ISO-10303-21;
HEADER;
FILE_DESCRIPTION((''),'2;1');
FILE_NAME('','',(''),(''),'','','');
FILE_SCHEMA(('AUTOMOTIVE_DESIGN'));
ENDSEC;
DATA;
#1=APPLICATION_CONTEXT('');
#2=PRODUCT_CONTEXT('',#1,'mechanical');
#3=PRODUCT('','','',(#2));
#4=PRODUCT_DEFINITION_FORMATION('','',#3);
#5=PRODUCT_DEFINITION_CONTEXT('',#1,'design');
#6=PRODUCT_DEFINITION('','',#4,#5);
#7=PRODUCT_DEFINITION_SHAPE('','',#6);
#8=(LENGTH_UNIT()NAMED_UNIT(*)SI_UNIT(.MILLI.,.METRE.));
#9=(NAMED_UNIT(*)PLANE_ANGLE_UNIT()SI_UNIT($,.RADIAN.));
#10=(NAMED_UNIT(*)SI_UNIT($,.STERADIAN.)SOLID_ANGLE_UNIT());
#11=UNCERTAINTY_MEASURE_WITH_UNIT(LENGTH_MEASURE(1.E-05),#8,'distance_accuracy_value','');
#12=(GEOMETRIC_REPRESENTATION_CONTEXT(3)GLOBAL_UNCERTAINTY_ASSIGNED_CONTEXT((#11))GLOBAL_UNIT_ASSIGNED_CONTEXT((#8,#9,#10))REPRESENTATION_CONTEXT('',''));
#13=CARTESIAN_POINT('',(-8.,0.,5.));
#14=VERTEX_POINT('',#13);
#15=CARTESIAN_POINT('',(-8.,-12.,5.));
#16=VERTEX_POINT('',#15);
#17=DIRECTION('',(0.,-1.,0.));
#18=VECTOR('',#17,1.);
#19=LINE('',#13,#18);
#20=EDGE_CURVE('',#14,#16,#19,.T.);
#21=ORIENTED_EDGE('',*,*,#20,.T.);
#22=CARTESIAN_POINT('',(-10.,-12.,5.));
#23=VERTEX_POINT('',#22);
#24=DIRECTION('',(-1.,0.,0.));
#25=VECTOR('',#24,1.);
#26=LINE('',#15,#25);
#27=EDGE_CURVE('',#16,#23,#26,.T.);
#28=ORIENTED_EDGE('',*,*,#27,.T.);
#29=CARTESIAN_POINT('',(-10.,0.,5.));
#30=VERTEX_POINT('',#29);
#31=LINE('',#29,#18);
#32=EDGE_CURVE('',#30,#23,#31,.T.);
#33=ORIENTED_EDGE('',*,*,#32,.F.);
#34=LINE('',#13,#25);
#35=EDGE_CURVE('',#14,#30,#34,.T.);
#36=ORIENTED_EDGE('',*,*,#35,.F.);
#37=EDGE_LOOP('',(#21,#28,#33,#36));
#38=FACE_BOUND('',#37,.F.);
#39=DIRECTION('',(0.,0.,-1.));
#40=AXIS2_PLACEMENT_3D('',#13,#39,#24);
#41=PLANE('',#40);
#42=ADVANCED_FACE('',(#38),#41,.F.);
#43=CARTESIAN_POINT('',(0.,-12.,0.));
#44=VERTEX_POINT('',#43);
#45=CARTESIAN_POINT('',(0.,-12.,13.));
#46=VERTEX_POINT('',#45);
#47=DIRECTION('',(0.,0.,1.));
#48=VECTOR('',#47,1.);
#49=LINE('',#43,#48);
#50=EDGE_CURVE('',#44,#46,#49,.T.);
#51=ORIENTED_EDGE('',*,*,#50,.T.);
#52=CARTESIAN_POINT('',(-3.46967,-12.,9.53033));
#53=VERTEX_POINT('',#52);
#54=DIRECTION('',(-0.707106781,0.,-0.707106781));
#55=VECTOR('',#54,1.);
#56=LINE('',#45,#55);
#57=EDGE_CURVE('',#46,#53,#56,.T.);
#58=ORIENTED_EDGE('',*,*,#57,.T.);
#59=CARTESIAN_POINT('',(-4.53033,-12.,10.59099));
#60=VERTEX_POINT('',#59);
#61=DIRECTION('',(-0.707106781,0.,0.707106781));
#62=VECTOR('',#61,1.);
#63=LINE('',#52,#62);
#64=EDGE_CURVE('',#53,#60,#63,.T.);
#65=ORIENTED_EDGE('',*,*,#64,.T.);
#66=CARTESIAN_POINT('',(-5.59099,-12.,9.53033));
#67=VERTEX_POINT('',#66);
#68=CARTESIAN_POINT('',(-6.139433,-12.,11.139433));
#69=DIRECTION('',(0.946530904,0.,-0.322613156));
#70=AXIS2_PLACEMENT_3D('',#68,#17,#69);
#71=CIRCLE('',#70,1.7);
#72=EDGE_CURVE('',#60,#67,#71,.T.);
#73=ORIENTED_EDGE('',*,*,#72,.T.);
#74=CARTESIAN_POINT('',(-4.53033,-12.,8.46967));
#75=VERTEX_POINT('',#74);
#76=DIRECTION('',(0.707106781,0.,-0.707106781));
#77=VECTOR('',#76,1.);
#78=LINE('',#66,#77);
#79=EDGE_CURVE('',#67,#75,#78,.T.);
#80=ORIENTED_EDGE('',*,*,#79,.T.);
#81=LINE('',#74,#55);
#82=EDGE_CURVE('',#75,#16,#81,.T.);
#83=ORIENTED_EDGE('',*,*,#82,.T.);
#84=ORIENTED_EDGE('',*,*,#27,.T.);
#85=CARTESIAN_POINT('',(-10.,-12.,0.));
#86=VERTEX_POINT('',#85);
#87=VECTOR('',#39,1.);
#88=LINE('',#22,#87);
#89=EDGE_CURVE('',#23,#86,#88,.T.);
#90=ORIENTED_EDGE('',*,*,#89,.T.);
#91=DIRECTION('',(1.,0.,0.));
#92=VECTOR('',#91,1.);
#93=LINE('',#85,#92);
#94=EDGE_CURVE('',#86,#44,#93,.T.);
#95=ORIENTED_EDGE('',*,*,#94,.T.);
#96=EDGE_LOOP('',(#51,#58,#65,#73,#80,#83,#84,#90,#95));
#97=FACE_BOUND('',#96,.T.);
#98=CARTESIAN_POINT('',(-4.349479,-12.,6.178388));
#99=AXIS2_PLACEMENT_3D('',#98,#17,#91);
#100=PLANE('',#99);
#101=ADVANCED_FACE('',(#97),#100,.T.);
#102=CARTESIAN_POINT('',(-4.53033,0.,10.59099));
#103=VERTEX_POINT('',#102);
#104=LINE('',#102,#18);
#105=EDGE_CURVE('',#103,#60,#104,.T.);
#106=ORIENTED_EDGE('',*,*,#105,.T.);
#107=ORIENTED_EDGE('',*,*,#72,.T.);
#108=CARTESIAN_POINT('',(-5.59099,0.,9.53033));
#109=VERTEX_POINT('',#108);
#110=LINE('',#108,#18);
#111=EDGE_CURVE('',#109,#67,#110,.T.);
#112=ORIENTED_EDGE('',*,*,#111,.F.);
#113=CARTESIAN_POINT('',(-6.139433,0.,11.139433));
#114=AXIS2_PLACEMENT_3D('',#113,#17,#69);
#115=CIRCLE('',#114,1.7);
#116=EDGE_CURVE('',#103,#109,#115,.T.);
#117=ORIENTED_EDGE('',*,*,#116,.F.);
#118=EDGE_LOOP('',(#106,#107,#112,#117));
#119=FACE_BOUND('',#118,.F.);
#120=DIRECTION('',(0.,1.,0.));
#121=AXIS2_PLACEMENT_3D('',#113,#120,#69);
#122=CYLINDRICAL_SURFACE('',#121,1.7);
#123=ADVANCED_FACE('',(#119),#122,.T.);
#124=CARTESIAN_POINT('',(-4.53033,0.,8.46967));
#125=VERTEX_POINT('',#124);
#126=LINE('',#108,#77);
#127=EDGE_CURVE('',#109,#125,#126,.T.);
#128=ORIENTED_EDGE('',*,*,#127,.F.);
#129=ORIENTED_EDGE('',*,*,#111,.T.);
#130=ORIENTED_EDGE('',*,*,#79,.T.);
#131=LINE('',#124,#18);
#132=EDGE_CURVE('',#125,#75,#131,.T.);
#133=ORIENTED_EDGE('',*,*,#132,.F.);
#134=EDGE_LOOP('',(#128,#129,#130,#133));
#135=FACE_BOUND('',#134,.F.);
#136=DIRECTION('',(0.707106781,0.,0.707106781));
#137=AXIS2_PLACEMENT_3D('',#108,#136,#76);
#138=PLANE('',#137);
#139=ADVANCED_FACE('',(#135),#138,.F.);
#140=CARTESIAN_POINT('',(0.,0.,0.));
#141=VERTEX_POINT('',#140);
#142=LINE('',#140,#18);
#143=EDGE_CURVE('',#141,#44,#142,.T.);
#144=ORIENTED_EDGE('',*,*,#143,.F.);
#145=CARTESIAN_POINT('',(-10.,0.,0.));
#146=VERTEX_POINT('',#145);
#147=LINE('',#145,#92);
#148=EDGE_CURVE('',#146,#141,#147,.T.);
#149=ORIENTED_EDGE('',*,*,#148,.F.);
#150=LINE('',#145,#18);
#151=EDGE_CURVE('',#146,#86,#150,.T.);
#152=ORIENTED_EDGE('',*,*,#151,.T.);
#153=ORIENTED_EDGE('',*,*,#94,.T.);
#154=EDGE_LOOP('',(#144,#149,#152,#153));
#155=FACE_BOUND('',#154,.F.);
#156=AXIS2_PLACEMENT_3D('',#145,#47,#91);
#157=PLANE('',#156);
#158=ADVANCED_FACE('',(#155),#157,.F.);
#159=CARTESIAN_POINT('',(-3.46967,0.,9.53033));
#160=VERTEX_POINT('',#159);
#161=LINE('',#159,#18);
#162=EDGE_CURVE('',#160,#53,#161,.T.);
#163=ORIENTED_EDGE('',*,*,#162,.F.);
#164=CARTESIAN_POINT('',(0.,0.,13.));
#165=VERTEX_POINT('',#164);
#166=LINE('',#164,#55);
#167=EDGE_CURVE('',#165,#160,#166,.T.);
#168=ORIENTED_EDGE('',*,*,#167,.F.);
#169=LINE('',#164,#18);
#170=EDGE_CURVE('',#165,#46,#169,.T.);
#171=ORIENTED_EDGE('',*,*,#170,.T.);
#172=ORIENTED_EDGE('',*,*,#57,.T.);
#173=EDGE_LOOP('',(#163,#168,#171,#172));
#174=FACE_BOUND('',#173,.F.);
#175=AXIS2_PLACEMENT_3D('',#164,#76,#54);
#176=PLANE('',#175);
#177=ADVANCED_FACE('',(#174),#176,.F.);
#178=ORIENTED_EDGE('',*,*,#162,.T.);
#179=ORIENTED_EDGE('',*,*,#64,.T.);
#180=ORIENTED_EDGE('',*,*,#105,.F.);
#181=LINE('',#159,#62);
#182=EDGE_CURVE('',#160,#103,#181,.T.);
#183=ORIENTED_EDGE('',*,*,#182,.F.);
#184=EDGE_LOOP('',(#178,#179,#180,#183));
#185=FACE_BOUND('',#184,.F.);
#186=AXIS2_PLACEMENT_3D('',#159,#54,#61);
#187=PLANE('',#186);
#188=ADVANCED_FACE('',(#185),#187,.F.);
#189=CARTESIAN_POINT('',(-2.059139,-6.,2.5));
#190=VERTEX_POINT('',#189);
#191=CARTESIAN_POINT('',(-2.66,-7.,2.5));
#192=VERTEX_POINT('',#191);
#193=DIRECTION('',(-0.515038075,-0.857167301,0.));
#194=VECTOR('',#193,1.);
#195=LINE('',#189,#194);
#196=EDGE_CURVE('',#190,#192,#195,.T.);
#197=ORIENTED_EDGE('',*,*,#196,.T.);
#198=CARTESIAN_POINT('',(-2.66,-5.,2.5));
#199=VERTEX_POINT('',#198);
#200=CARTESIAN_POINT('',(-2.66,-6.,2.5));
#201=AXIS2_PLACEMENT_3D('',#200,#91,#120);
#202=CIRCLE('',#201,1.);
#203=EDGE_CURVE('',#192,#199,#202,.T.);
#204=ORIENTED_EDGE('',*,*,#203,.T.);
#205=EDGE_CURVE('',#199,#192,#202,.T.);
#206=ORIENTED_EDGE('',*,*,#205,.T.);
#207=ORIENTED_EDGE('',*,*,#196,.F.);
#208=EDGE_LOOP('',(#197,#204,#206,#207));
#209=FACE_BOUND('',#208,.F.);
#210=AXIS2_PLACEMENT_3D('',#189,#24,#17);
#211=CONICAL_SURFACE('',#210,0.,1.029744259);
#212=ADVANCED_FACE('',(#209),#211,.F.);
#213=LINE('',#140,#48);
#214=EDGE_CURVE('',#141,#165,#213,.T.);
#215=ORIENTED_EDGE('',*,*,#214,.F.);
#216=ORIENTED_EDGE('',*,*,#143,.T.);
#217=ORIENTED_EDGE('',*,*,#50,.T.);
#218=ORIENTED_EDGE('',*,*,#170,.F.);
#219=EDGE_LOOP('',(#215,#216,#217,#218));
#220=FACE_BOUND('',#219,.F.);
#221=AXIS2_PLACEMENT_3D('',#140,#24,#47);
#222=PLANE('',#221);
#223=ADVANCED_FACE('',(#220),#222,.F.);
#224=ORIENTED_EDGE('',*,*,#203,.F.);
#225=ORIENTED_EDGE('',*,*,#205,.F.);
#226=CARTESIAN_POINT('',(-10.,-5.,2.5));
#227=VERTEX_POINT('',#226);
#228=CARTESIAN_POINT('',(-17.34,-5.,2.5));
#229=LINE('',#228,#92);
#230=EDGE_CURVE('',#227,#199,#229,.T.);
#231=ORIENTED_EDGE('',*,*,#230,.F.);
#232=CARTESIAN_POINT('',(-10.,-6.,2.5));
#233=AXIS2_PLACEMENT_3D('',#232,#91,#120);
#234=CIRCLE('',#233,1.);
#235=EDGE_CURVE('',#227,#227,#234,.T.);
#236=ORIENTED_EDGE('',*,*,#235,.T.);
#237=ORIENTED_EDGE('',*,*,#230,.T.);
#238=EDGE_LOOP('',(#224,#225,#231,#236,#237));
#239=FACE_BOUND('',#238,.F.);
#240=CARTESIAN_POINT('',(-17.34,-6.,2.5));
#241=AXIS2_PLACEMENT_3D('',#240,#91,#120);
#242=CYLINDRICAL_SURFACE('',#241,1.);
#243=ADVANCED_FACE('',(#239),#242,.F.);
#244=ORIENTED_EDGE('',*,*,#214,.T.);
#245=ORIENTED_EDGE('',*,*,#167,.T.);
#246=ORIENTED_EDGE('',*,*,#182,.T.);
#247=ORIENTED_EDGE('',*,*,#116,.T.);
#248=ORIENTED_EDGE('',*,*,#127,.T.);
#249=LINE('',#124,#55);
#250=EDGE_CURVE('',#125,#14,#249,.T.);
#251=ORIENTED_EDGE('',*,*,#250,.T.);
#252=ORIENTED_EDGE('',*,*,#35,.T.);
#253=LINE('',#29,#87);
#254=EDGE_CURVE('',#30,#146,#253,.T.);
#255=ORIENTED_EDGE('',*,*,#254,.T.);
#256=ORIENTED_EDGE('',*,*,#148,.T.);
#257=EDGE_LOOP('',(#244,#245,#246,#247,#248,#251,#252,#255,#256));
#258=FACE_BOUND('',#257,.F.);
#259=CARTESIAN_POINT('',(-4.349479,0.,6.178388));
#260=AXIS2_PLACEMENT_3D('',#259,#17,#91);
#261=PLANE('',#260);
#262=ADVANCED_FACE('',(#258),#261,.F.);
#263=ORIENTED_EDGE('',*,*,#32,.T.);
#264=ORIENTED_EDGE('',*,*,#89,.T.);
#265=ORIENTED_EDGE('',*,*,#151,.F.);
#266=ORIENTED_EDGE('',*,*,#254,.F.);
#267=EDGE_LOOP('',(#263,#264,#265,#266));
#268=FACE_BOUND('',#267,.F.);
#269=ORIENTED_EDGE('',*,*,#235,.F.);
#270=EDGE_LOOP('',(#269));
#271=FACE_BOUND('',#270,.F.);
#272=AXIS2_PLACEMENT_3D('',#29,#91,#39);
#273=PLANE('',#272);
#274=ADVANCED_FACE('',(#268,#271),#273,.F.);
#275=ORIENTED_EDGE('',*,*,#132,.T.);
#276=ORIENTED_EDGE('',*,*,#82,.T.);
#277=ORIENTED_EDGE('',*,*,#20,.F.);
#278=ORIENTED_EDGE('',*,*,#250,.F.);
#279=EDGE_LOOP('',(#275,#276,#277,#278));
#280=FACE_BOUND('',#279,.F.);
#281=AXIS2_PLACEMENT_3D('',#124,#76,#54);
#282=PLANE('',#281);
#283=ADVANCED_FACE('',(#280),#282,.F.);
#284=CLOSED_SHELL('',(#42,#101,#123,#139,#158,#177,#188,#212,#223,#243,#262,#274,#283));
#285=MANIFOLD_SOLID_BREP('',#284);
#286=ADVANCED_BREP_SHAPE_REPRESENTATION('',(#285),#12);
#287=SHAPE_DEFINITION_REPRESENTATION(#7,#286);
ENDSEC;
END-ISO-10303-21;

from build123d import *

# Parameters (mm, degrees)
F1_DEPTH = 12
F3_D     = 2
F3_DEPTH = 7.34
F3_TIP   = 0.600860619


with BuildPart() as f1:
    # F0 (on Front) → F1 (new body)
    with BuildSketch(Plane.XZ):
        with BuildLine():
            Line((-10, 0), (0, 0))
            Line((0, 0), (0, 13))
            Line((0, 13), (-3.4696699141, 9.5303300859))
            Line((-3.4696699141, 9.5303300859), (-4.5303300859, 10.5909902577))
            ThreePointArc((-4.5303300859, 10.5909902577), (-7.3415141503, 12.3415141503), (-5.5909902577, 9.5303300859))
            Line((-5.5909902577, 9.5303300859), (-4.5303300859, 8.4696699141))
            Line((-4.5303300859, 8.4696699141), (-8, 5))
            Line((-8, 5), (-10, 5))
            Line((-10, 5), (-10, 0))
        make_face()
    extrude(amount=F1_DEPTH)

    # F3
    with Locations(Plane(origin=(-10, 0, 0), x_dir=(0, -1, 0), z_dir=(-1, 0, 0))):
        with Locations((6, 2.5)):
            Hole(F3_D / 2, depth=F3_DEPTH)
            with Locations((0, 0, -(F3_DEPTH + F3_TIP / 2))):  # 118° drill point
                Cone(0, F3_D / 2, F3_TIP, mode=Mode.SUBTRACT)


solid = f1.part
